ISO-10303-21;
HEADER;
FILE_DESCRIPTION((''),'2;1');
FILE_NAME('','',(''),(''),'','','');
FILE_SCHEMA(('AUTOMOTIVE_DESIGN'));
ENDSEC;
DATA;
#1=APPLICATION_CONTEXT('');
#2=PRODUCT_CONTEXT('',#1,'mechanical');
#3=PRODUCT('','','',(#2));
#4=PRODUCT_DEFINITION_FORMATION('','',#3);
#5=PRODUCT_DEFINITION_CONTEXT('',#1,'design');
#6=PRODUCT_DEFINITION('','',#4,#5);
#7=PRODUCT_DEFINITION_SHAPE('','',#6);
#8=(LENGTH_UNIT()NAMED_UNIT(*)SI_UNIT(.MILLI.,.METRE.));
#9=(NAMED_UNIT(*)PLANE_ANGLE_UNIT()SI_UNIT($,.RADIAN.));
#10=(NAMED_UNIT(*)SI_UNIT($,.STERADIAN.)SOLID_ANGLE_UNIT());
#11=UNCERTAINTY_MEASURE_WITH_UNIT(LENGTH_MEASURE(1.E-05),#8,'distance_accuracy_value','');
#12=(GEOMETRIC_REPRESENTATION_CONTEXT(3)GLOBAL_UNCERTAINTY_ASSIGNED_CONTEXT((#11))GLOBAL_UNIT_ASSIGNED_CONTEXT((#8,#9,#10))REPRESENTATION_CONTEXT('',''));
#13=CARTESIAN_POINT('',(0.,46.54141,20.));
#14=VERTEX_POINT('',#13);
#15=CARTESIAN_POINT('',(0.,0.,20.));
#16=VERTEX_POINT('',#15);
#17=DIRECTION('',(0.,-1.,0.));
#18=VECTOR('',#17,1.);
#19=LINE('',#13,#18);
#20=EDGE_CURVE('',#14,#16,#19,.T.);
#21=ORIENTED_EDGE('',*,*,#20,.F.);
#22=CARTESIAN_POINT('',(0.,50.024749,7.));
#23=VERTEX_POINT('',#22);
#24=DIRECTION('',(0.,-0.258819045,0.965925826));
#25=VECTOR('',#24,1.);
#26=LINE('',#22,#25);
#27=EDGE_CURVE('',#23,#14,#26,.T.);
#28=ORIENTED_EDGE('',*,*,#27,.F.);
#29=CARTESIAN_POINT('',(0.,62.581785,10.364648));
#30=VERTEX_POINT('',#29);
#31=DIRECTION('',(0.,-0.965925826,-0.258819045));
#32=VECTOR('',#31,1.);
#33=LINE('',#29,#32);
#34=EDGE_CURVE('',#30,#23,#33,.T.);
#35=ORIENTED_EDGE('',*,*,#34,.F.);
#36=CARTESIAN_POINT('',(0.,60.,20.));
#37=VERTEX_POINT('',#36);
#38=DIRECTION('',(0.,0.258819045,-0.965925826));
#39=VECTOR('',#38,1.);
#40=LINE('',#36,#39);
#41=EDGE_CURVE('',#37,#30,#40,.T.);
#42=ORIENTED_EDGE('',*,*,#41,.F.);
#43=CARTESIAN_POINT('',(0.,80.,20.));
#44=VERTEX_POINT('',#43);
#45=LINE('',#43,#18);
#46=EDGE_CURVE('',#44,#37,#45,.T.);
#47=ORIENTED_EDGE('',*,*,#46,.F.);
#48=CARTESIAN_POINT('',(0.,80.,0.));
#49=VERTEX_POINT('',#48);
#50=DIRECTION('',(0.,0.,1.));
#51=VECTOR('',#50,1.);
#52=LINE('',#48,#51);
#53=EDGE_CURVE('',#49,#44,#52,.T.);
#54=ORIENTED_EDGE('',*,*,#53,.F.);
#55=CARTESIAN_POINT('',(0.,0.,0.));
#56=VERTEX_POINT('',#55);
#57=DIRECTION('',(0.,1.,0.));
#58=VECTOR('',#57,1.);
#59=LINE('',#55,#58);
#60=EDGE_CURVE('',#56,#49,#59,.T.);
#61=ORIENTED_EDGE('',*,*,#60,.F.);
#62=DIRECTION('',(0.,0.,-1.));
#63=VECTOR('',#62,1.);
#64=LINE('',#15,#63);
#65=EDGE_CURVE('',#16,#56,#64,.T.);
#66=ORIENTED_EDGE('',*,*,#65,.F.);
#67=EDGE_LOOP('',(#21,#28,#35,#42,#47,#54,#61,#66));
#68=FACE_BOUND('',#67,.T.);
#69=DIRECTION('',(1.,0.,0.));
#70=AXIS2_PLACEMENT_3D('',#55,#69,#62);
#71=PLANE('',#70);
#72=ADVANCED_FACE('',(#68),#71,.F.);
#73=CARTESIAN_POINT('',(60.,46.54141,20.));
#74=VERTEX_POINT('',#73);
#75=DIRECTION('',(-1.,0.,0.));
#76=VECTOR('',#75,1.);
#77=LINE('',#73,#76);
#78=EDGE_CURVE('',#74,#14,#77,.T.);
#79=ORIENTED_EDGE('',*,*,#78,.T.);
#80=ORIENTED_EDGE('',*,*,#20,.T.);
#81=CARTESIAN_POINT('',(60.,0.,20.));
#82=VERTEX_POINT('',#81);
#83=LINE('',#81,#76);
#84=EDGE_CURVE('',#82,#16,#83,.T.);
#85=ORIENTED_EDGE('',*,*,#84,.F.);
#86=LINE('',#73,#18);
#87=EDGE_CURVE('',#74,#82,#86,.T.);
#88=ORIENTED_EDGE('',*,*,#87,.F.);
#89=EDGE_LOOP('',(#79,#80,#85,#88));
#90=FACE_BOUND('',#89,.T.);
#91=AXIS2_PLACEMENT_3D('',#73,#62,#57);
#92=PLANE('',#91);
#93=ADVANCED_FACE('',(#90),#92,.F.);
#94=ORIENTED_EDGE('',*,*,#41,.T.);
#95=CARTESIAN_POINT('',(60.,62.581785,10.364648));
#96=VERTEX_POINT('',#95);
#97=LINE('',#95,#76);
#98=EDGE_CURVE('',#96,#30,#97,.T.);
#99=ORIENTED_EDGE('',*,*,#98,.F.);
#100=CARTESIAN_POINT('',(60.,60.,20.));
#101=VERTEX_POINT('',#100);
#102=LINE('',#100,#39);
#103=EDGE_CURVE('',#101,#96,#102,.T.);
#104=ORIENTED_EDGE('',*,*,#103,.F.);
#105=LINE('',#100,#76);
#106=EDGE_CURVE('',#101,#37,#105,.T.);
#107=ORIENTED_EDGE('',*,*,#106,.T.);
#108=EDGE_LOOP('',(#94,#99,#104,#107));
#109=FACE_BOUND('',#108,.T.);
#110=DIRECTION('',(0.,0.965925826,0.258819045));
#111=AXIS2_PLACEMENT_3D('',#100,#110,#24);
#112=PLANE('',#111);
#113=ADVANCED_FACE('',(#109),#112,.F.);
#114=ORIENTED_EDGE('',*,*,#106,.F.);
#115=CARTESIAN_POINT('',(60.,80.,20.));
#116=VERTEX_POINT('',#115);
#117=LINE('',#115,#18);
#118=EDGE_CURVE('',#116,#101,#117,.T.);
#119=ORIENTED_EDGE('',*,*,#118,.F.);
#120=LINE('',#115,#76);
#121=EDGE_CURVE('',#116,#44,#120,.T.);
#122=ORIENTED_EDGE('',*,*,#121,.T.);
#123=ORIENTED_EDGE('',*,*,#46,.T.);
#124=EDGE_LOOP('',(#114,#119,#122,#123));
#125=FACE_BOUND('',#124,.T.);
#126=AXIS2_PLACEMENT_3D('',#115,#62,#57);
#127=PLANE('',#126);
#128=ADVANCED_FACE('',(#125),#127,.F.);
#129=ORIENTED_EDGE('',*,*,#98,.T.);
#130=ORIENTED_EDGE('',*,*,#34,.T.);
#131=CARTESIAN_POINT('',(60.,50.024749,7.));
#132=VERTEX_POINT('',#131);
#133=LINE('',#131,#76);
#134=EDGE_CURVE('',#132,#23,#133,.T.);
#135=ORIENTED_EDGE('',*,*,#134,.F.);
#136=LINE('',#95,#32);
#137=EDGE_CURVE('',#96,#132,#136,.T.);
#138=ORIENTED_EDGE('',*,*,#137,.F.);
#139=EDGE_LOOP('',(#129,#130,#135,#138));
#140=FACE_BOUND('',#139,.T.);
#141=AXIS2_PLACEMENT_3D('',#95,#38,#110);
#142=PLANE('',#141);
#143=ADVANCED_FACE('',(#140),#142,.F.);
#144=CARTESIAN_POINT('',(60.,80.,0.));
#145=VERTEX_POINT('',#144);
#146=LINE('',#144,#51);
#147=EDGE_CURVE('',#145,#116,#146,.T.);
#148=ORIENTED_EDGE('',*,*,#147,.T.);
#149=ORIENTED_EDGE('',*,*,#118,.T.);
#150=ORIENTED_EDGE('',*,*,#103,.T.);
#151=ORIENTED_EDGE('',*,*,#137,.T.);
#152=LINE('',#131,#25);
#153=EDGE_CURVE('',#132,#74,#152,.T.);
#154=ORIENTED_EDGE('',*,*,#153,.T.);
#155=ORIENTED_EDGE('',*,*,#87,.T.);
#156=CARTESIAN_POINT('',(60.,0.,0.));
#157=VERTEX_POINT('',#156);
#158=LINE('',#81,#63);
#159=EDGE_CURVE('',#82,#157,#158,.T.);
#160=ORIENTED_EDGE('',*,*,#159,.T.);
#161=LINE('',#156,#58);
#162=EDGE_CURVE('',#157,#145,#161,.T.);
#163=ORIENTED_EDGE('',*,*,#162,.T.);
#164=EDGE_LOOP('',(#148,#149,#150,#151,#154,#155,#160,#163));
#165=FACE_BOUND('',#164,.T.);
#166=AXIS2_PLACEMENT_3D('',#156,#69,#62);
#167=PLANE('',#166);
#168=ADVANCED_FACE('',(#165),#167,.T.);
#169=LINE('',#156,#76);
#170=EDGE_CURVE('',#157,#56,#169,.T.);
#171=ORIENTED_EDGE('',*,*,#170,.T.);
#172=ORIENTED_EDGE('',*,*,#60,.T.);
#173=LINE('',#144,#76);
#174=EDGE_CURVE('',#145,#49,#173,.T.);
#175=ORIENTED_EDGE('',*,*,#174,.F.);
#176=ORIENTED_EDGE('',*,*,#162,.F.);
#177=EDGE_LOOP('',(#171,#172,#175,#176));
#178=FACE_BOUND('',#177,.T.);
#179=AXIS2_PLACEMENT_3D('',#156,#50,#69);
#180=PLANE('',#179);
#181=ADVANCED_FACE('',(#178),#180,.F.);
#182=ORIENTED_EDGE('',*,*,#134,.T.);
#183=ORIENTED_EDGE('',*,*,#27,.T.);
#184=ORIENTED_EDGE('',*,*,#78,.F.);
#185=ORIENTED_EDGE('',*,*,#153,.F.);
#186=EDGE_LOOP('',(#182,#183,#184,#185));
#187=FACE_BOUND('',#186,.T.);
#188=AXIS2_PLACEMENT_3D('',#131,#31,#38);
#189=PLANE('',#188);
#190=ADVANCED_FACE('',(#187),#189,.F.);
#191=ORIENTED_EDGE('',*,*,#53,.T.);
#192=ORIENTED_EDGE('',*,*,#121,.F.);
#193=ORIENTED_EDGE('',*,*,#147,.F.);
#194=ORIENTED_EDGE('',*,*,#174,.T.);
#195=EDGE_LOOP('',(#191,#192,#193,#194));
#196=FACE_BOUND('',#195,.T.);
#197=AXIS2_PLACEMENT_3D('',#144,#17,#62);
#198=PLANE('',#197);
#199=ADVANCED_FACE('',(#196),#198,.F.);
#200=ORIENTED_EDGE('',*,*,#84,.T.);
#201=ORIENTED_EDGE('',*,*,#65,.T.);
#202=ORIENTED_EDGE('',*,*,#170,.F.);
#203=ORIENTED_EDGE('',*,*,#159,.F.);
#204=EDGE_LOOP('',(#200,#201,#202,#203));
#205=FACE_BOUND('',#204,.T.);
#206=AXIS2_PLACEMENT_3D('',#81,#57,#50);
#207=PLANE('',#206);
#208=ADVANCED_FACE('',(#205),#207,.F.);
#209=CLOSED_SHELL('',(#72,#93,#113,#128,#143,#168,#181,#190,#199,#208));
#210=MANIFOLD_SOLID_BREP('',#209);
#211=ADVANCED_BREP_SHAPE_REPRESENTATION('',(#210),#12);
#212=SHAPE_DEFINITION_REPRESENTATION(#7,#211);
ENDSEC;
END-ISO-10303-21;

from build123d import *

# Parameters (mm, degrees)
BOSS_EXTRUDE1_DEPTH = 60


with BuildPart() as part:
    # Sketch1 → Boss-Extrude1 (new body)
    with BuildSketch(Plane.YZ):
        Polygon((0, 0), (80, 0), (80, 20), (60, 20), (62.581784898, 10.364647586), (50.024749156, 7), (46.541409655, 20), (0, 20), align=None)
    extrude(amount=BOSS_EXTRUDE1_DEPTH)


solid = part.part
